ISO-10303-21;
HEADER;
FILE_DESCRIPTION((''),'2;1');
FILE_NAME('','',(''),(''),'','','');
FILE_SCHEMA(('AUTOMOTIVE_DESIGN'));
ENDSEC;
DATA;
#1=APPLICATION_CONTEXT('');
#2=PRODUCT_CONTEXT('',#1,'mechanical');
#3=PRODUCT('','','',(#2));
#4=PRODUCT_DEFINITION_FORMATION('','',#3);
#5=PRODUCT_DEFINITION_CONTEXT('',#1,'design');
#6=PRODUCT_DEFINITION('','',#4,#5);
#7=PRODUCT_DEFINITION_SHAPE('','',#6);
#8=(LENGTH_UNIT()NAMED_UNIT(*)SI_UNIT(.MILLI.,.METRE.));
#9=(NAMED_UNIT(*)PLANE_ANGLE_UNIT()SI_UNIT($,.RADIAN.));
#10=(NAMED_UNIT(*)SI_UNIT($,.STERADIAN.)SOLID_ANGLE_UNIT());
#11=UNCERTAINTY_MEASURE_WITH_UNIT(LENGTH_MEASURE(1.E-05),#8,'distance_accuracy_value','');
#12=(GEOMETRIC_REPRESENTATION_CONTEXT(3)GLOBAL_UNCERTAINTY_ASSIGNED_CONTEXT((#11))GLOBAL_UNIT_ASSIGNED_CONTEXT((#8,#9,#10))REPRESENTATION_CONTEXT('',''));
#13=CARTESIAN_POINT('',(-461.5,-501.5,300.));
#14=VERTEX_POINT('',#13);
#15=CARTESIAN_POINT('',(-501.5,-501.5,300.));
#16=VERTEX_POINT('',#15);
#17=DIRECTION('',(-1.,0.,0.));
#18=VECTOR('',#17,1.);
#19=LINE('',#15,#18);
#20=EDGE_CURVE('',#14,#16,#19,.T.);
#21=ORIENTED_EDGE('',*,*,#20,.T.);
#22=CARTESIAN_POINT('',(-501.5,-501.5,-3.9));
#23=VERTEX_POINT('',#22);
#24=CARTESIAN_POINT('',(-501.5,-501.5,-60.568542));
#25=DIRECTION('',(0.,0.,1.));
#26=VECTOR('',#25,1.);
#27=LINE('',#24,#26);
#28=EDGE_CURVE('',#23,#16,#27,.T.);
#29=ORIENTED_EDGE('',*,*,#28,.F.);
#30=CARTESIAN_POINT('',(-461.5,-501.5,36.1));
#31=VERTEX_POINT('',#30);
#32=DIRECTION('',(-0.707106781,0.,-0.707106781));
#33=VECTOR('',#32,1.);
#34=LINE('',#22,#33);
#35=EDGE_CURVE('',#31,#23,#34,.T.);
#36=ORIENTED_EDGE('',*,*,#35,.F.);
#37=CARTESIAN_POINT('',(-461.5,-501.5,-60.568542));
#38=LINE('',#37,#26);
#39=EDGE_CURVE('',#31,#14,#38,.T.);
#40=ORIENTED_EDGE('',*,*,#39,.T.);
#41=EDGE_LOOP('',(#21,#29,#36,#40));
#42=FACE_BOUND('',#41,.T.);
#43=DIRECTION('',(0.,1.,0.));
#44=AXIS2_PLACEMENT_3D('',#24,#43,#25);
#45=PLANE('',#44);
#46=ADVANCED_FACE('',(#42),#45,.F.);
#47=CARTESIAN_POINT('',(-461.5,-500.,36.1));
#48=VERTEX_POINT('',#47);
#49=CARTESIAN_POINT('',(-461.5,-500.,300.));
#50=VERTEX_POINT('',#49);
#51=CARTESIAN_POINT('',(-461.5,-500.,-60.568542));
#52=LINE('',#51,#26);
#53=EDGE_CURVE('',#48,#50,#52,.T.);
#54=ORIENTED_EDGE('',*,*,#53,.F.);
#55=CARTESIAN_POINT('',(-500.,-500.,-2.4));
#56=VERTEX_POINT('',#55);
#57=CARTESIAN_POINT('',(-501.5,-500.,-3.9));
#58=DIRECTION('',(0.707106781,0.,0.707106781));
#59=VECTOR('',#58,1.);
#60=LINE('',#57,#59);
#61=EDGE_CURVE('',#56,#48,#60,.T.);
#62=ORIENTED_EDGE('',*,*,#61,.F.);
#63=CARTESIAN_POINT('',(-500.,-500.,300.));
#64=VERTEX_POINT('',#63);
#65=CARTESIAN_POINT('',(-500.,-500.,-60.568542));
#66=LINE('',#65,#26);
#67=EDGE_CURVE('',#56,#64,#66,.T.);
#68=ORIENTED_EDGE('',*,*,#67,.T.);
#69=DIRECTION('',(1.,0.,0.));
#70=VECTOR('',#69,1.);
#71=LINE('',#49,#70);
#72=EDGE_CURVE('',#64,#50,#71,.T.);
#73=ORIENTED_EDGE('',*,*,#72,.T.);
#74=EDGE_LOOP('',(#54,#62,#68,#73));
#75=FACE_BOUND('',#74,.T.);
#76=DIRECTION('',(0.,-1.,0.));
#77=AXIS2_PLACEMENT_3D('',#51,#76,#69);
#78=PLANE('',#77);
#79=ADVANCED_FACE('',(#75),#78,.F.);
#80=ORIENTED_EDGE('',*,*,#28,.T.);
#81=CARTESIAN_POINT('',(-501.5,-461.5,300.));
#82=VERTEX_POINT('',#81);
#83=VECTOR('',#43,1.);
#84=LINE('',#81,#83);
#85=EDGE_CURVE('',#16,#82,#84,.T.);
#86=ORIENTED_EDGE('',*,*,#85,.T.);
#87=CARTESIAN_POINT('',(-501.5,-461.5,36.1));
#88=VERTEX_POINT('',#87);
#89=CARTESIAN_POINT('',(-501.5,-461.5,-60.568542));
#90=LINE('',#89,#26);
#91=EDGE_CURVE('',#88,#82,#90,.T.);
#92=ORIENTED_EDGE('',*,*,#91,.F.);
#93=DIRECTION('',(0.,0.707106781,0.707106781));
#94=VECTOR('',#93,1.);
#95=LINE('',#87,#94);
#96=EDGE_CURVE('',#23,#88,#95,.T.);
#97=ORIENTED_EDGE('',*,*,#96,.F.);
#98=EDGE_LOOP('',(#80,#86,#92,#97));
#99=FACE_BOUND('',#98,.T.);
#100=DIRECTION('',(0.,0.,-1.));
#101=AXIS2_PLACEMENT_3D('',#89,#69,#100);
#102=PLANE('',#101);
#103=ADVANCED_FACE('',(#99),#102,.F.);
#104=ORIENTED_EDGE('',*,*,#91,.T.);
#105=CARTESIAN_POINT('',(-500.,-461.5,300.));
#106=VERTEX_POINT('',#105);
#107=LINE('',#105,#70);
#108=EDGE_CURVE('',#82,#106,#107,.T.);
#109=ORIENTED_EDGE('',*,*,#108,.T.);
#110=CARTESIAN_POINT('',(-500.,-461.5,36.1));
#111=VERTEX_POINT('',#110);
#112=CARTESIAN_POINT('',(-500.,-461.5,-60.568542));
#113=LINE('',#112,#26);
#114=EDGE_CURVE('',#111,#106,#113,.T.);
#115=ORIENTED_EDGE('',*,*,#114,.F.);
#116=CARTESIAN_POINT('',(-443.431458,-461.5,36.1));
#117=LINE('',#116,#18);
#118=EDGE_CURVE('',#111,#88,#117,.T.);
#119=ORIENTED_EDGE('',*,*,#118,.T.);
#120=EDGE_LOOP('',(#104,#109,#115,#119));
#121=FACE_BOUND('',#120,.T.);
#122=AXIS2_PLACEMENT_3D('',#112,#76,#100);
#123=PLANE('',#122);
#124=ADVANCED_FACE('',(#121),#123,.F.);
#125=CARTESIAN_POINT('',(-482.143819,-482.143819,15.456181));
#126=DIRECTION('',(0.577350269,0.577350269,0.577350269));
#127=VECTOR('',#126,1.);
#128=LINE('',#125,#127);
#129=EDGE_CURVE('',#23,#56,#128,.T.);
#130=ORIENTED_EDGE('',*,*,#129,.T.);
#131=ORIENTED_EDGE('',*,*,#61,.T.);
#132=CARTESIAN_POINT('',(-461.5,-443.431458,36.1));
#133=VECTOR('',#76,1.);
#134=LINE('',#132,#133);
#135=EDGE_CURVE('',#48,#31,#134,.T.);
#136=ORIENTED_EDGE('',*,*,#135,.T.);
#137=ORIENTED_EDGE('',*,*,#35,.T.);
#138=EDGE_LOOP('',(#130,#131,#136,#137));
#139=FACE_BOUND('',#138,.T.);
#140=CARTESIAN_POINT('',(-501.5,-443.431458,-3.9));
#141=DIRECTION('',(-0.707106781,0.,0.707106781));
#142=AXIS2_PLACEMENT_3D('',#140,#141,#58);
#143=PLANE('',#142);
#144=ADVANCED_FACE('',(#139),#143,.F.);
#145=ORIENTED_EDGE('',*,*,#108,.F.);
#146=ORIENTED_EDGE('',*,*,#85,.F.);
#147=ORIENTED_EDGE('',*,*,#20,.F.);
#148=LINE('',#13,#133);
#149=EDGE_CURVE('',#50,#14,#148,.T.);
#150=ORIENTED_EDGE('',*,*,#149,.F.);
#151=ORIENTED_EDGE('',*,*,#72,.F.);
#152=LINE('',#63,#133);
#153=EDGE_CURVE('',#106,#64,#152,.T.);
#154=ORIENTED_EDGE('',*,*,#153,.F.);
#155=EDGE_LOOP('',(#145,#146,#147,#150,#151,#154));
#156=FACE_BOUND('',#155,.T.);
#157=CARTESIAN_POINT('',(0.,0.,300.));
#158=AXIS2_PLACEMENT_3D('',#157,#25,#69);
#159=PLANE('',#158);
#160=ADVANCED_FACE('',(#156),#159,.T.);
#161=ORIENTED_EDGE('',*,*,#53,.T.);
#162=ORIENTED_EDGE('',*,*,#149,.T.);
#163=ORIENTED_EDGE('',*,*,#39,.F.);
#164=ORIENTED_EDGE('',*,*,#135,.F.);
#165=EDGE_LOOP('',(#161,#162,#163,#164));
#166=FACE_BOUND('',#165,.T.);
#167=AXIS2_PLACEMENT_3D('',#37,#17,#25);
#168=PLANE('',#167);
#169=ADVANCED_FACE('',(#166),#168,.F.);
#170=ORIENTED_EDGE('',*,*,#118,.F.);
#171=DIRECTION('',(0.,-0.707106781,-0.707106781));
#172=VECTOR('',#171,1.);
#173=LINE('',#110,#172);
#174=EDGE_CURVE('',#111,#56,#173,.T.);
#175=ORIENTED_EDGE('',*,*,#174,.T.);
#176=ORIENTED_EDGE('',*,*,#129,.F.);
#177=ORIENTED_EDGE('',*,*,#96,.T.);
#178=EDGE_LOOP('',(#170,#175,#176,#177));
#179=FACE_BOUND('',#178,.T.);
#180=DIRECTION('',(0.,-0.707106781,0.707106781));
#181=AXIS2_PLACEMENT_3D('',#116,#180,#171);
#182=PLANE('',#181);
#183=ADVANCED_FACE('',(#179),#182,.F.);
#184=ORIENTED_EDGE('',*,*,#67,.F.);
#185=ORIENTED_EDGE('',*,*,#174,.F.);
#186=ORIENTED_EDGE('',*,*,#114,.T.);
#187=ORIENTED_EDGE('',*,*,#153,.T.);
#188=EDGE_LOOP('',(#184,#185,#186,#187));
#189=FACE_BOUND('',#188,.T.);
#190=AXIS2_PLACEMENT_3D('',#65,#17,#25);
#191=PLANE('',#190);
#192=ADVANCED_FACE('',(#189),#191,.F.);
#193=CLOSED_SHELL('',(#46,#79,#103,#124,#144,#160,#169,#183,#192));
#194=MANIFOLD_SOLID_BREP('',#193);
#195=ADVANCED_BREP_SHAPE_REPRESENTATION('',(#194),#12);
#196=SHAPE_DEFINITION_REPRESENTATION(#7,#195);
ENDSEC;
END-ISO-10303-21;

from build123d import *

# Parameters (mm, degrees)
AUFSATZ_LINEAR_AUSTRAGEN1_DEPTH = 303.9
SCHNITT_LINEAR_AUSTRAGEN1_DEPTH = 1.5
SCHNITT_LINEAR_AUSTRAGEN2_DEPTH = 1.5


with BuildPart() as part:
    # Skizze1 → Aufsatz-Linear austragen1 (new body)
    with BuildSketch(Plane(origin=(0, 0, 300), x_dir=(-1, 0, 0), z_dir=(0, 0, -1))):
        Polygon((461.5, -500), (500, -500), (500, -461.5), (501.5, -461.5), (501.5, -501.5), (461.5, -501.5), align=None)
    extrude(amount=AUFSATZ_LINEAR_AUSTRAGEN1_DEPTH)

    # Skizze2 → Schnitt-Linear austragen1 (cut)
    with BuildSketch(Plane.XZ.offset(501.5)):
        Polygon((-461.5, -3.9), (-501.5, -3.9), (-461.5, 36.1), align=None)
    extrude(amount=-SCHNITT_LINEAR_AUSTRAGEN1_DEPTH, mode=Mode.SUBTRACT)

    # Skizze3 → Schnitt-Linear austragen2 (cut)
    with BuildSketch(Plane.ZY.offset(501.5)):
        Polygon((-3.9, -461.5), (-3.9, -501.5), (36.1, -461.5), align=None)
    extrude(amount=-SCHNITT_LINEAR_AUSTRAGEN2_DEPTH, mode=Mode.SUBTRACT)


solid = part.part
